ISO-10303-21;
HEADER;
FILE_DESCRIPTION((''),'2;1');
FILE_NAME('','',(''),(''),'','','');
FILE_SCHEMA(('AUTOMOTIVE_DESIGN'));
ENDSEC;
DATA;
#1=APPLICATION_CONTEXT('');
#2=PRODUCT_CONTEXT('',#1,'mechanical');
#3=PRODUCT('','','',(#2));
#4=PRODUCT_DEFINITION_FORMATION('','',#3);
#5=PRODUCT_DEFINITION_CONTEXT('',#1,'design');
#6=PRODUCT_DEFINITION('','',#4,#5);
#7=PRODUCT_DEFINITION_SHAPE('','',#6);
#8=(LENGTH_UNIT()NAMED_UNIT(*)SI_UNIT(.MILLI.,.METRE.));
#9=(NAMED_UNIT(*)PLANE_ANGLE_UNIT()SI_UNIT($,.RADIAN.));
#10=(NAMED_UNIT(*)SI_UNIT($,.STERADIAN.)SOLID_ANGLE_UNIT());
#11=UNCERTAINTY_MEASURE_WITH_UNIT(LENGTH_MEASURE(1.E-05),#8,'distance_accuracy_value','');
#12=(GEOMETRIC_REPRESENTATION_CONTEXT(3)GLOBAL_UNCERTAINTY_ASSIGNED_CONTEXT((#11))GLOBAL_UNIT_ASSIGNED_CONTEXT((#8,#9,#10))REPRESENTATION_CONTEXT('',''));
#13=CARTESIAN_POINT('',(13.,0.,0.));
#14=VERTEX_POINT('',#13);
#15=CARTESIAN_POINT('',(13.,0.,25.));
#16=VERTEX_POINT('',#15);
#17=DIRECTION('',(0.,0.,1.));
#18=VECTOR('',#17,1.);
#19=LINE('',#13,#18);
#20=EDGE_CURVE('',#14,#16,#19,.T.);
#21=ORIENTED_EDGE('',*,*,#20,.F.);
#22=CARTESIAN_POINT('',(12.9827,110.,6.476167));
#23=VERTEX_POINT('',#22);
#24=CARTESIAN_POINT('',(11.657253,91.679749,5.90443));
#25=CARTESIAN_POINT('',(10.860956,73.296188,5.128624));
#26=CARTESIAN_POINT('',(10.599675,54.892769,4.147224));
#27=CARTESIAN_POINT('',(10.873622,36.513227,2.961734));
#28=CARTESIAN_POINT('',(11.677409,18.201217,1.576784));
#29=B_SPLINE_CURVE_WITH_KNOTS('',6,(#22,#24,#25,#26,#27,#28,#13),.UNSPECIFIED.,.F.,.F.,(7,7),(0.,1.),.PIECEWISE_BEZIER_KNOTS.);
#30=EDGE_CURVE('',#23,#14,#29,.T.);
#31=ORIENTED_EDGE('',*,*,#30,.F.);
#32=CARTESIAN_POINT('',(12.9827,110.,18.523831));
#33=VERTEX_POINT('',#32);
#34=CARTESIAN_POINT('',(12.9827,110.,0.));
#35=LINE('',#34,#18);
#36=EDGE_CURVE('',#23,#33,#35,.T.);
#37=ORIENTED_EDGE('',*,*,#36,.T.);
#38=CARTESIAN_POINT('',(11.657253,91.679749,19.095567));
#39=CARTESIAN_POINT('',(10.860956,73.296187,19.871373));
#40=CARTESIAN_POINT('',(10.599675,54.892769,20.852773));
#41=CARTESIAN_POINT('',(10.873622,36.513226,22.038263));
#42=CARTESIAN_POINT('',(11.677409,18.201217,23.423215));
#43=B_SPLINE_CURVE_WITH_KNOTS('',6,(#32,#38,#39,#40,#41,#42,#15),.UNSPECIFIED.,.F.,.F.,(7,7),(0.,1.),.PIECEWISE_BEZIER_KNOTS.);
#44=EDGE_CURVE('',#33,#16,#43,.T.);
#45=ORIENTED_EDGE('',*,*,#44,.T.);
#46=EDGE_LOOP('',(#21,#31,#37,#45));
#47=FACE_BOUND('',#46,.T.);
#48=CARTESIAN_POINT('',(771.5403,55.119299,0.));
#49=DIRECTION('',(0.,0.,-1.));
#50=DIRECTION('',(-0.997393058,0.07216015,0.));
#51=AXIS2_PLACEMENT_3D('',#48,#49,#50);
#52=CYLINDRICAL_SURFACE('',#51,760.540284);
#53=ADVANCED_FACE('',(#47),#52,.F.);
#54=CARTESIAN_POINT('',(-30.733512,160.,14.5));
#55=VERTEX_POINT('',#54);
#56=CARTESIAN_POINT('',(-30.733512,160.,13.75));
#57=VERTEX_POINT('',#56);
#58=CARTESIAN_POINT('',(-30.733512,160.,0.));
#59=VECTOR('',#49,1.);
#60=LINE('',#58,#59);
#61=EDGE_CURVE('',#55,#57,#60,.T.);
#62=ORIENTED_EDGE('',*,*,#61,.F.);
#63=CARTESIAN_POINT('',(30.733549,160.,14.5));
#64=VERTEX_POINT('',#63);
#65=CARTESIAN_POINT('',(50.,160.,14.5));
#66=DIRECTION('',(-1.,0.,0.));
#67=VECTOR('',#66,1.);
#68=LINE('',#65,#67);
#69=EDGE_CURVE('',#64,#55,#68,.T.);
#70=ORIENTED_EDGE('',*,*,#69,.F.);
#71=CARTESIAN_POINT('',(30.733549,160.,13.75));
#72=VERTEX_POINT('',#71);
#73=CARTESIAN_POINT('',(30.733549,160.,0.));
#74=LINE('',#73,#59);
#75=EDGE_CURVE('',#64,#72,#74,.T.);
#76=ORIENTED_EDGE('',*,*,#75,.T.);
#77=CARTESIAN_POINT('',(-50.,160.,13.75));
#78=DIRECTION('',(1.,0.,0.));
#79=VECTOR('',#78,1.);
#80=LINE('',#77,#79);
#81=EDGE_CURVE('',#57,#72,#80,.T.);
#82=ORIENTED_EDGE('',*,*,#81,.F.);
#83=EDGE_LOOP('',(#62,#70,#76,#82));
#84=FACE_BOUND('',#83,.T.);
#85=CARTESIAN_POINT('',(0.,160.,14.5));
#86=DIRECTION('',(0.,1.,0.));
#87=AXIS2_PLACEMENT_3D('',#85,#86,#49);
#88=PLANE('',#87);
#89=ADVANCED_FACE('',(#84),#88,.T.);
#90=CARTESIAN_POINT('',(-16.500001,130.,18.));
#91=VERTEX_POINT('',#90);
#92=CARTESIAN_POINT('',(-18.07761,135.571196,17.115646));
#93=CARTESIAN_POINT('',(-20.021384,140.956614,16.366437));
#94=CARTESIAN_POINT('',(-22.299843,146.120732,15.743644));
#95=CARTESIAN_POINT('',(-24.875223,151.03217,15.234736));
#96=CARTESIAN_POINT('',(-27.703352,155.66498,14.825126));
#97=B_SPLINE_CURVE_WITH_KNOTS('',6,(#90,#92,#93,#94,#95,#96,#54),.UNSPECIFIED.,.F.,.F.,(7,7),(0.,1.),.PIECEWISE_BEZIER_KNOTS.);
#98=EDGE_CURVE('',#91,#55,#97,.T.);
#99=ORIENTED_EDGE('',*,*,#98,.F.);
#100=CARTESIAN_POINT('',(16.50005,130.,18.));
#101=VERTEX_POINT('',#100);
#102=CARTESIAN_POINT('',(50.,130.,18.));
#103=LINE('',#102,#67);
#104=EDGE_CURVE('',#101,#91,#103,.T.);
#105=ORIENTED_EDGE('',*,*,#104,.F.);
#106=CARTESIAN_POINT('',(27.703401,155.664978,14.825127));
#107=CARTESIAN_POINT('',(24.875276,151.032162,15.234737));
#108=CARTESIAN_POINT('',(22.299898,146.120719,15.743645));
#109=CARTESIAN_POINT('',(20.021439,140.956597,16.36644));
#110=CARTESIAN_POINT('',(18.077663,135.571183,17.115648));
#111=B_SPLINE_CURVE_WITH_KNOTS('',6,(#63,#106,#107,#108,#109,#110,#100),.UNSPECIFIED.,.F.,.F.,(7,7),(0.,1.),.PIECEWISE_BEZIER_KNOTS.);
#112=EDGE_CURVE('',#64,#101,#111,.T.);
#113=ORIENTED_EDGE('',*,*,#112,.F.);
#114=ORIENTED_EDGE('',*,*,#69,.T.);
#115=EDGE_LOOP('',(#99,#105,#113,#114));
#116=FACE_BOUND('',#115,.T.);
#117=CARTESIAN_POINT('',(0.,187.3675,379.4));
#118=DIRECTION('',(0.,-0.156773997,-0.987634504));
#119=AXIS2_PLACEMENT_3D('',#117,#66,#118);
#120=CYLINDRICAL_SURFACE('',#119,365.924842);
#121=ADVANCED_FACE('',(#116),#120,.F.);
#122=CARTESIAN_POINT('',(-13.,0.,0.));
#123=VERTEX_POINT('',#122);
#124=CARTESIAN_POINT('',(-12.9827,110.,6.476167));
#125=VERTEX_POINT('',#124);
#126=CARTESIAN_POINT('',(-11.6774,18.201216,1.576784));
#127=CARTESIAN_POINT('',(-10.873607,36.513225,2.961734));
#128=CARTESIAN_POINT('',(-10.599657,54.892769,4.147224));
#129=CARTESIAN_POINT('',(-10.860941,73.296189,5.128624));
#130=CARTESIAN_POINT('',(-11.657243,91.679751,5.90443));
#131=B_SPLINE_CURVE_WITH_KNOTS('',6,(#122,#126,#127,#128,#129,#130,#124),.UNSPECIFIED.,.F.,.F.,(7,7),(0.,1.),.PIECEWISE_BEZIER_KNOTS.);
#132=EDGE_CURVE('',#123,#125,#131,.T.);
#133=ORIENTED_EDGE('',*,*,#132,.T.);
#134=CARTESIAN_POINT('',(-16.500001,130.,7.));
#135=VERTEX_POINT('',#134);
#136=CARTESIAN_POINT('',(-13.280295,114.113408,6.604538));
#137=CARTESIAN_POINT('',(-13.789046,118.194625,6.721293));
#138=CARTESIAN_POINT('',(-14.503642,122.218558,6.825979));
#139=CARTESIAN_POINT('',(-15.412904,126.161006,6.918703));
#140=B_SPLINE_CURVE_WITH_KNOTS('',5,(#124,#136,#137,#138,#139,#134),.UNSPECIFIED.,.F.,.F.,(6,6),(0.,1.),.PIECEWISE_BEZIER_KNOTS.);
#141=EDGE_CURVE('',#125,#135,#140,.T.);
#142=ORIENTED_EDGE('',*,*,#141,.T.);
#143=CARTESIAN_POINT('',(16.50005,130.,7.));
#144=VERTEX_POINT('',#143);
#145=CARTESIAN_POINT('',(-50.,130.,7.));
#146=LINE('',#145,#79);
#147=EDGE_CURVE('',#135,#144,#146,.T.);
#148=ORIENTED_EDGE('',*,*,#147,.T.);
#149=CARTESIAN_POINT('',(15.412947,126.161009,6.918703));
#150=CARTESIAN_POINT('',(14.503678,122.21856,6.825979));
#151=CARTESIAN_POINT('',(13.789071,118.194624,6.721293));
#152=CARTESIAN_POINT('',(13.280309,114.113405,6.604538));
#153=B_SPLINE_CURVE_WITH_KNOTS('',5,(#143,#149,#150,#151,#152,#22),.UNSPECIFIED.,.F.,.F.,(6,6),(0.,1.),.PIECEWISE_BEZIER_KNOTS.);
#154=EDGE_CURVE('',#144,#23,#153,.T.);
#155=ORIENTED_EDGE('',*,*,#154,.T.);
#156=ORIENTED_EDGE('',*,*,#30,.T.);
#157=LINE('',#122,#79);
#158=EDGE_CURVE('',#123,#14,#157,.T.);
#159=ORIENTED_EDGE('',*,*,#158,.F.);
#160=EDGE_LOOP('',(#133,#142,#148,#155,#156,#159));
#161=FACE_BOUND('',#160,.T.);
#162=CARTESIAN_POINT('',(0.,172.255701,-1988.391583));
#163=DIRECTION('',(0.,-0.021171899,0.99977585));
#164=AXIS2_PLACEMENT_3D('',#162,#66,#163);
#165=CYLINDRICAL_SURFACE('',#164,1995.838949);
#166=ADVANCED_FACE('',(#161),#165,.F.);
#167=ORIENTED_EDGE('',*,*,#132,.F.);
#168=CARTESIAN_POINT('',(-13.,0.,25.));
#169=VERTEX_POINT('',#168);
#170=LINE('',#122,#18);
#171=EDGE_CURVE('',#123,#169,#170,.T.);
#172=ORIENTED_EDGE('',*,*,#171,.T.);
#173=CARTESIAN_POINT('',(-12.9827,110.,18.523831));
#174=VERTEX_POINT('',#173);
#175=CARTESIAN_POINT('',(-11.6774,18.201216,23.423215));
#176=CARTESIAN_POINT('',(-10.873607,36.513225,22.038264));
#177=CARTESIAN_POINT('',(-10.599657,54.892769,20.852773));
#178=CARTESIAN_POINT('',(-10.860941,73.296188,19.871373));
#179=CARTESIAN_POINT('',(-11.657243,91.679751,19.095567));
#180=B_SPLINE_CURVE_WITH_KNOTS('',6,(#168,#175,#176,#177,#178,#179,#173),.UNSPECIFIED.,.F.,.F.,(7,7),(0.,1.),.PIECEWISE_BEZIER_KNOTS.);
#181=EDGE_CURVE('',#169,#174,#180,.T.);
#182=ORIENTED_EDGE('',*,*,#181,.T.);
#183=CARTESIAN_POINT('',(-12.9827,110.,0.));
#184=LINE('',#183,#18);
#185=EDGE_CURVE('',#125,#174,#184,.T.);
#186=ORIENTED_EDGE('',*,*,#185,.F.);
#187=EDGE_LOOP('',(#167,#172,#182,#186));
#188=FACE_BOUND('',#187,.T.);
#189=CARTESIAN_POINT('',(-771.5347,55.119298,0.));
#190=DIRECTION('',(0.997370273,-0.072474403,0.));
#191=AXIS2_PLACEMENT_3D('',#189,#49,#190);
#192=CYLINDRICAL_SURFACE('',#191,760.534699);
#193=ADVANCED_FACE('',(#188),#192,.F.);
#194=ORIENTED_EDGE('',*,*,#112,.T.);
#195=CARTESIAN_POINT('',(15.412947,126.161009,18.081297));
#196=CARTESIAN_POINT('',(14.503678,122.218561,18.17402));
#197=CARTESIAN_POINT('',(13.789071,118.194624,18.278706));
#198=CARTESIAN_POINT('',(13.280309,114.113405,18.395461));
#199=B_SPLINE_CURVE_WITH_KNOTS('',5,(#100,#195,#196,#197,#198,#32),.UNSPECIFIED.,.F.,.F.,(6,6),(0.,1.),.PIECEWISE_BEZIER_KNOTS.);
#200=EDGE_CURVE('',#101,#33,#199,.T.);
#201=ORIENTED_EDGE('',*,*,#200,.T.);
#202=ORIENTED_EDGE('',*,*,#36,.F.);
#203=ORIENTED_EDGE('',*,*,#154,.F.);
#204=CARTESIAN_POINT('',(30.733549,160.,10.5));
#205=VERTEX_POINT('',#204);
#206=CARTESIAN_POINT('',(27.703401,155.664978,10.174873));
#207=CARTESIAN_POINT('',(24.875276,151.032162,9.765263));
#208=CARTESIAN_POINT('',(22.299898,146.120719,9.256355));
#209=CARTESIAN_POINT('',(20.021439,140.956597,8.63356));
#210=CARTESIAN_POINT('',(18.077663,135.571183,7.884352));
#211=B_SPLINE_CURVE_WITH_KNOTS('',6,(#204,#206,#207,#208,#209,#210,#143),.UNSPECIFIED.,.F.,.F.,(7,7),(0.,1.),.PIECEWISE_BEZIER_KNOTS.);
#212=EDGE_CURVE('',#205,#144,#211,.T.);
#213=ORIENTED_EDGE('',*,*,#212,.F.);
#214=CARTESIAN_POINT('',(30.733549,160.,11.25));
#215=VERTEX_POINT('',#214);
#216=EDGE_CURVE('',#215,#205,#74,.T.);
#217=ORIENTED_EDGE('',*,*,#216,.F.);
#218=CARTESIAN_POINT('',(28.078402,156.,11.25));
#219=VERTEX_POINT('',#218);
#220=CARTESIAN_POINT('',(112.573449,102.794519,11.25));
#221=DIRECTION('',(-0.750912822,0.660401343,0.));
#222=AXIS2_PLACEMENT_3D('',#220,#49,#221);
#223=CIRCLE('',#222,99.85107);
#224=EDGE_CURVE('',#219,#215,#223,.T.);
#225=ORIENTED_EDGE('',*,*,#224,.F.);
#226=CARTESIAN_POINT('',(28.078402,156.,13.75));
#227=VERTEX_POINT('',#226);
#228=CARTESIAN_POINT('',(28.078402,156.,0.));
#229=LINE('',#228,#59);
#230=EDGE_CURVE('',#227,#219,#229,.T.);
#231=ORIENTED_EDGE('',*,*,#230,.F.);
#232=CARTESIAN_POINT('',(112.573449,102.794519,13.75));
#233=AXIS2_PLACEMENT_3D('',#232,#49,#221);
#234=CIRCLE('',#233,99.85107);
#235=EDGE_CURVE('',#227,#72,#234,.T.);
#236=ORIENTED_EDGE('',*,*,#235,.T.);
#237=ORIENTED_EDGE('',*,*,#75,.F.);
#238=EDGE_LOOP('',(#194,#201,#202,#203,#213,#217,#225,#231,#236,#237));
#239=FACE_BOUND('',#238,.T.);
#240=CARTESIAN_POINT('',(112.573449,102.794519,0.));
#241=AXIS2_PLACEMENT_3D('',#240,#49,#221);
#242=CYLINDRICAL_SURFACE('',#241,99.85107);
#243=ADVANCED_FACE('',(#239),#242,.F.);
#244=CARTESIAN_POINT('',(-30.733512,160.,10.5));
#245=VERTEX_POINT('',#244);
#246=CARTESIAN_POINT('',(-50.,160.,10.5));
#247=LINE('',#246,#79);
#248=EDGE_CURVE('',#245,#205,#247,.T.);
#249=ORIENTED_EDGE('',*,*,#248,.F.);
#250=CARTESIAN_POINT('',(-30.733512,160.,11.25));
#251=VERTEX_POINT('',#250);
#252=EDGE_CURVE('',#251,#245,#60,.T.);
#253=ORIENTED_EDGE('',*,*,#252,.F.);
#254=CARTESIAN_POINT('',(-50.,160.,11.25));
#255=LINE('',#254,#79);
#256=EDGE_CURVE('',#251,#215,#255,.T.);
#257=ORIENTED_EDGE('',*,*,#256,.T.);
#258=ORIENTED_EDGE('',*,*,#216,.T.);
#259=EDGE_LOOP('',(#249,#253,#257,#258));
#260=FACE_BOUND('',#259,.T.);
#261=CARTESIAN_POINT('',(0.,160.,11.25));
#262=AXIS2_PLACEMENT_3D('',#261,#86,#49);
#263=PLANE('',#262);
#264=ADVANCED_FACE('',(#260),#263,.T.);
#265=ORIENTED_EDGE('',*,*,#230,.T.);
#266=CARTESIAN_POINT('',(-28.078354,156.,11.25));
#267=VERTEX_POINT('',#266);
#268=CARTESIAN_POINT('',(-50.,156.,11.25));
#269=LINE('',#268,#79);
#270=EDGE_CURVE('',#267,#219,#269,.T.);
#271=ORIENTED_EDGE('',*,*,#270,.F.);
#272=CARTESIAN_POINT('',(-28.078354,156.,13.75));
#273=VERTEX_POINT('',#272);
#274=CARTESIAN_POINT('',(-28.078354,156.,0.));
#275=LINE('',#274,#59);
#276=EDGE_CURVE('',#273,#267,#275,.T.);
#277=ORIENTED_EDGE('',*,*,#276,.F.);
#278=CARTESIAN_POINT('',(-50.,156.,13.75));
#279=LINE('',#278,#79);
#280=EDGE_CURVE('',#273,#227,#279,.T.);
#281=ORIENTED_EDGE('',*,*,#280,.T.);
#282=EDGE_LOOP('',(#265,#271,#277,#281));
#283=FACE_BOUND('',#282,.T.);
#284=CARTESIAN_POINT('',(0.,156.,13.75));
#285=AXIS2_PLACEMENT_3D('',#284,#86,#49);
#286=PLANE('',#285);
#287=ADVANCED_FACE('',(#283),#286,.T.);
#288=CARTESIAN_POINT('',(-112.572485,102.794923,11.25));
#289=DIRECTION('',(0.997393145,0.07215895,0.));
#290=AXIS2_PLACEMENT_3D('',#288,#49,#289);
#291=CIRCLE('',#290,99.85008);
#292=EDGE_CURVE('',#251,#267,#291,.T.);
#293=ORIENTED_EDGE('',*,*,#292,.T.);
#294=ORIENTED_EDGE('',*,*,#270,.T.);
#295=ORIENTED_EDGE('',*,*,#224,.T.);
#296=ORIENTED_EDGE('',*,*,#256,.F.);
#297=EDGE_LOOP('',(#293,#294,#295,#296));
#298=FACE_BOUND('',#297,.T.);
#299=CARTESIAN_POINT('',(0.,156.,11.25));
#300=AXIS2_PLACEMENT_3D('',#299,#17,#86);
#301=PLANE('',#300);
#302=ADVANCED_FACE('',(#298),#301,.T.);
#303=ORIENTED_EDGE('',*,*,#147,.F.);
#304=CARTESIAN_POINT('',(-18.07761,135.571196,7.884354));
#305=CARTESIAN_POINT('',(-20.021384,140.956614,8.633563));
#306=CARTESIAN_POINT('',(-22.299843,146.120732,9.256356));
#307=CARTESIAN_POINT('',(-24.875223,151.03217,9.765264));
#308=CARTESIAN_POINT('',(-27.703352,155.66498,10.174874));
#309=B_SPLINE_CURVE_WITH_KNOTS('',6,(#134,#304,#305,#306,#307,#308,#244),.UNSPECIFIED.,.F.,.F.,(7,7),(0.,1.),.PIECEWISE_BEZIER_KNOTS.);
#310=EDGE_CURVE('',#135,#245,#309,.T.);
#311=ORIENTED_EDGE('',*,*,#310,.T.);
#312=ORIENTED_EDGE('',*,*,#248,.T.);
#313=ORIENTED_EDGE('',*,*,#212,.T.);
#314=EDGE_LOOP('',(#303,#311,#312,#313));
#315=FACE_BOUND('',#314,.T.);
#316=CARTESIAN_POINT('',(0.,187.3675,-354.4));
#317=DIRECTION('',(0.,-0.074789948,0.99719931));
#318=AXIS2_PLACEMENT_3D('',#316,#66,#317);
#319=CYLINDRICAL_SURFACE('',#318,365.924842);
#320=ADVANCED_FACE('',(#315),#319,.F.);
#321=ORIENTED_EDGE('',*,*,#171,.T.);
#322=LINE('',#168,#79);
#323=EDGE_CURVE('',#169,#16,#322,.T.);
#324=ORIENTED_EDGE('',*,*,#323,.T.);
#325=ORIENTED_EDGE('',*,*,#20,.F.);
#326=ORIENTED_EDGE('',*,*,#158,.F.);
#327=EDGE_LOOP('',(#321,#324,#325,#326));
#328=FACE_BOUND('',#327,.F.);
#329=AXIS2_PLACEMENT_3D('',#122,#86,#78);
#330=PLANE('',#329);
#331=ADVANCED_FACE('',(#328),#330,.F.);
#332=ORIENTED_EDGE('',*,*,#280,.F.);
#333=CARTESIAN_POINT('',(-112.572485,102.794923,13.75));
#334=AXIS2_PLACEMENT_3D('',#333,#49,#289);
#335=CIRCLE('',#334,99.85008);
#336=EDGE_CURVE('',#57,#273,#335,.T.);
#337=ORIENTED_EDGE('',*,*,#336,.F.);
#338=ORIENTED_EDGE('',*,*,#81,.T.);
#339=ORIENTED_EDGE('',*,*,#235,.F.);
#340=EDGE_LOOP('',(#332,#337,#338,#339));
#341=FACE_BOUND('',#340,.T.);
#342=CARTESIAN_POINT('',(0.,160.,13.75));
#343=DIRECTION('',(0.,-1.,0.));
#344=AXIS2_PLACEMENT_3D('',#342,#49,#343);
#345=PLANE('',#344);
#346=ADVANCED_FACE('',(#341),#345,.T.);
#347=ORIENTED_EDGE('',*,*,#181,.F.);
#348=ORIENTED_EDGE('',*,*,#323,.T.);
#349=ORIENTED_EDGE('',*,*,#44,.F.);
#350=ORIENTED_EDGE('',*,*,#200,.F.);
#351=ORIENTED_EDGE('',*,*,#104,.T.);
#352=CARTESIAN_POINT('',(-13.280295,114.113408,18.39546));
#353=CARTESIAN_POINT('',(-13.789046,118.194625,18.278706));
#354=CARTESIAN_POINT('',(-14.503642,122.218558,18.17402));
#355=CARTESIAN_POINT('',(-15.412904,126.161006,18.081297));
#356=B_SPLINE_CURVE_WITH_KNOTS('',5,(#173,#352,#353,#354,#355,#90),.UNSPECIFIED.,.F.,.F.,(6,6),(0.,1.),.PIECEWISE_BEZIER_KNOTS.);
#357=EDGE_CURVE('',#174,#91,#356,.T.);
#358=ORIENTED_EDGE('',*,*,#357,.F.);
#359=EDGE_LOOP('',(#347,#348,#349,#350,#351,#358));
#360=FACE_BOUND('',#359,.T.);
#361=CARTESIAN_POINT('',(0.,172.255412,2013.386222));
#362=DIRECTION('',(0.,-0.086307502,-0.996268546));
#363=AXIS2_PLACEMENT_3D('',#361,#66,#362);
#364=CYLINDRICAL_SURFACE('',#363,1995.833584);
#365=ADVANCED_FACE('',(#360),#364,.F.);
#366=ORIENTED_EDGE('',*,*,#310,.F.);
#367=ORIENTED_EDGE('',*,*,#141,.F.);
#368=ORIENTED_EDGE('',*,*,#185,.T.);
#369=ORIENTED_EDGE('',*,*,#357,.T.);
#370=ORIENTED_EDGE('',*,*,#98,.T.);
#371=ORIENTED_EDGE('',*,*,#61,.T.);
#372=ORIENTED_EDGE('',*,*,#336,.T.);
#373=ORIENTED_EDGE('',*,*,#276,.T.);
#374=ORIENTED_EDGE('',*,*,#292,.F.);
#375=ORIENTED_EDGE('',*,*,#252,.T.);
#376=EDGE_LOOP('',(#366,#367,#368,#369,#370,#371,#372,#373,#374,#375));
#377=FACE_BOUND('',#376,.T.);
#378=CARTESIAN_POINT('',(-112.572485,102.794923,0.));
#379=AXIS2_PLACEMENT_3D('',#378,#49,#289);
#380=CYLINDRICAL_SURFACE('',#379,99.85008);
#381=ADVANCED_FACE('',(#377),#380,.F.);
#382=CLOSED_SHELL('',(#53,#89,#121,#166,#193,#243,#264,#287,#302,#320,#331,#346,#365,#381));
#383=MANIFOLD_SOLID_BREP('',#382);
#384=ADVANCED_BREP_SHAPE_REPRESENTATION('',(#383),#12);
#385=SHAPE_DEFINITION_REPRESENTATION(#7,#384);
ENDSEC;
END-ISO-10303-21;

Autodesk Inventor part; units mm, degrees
ref_plane "YZ Plane" through (0, 0, 0) normal (1, 0, 0) x (0, 1, 0)
ref_plane "XZ Plane" through (0, 0, 0) normal (0, 1, 0) x (-1, 0, 0)
ref_plane "XY Plane" through (0, 0, 0) normal (0, 0, 1) x (1, 0, 0)
sketch "Эскиз1" plane through (0, 0, 0) normal (0, 0, 1) x (1, 0, 0)
  line L0 (-13, 0) -> (13, 0)
  line L1 (-47.5, 180) -> (47.5, 180)
  line L2 (-16.5, 130) -> (16.5, 130)
  line L3 (-12.9827, 110) -> (12.9827, 110)
  line L4 (-11.8003, 90) -> (11.8003, 90)
  line L5 (47.5, 180) -> (37.594, 168.7363)
  line L6 (-47.5, 180) -> (-37.594, 168.7363)
  line L7 (-37.594, 168.7363) -> (37.594, 168.7363)
  arc A0 (37.594, 168.7363) -> (12.9827, 110) centre (112.573, 102.7948) ccw
  arc A1 (12.9827, 110) -> (13, 0) centre (771.5375, 55.1194) ccw
  arc A2 (-12.9827, 110) -> (-37.594, 168.7363) centre (-112.573, 102.7948) ccw
  arc A3 (-13, 0) -> (-12.9827, 110) centre (-771.5375, 55.1194) ccw
  line L8 (-11, 80.4723) -> (-11, 26.1046)
  line L9 (11, 80.4723) -> (11, 26.1046)
  line L10 (-37.594, 168.7363) -> (13.0707, 111.1279)
  line L11 (37.594, 168.7363) -> (-13.0707, 111.1279)
  point P0 (0, 0)
  point P1 (0, 0)
  point P2 (0, 180)
  point P3 (0, 130)
  point P4 (0, 90)
  point P5 (0, 110)
  point P6 (-11, 55.1194)
  dimension "d0" = 26
  dimension "d1" = 95
  dimension "d2" = 33
  dimension "d5" = 180
  dimension "d6" = 50
  dimension "d7" = 20
  dimension "d8" = 20
  dimension "d9" = 15
  dimension "d10" = 15
  dimension "d13" = 22
  dimension "d19" = 55.1194
extrude "Выдавливание1" add sketch "Эскиз1" along normal blind 25
sketch "Эскиз2" plane through (0, 0, 0) normal (1, 0, 0) x (0, 1, 0)
  line L0 (0, 0) -> (110, 0) projected
  line L1 (110, 0) -> (110, 25) projected
  line L2 (0, 25) -> (110, 25) projected
  line L3 (0, 0) -> (0, 25) projected
  line L4 (110, 0) -> (169.3956, 0) projected
  line L5 (110, 25) -> (169.3956, 25) projected
  line L6 (110, 0) -> (110, 25) projected
  line L7 (130, 18) -> (130, 7)
  line L8 (55, 21) -> (55, 4)
  arc A0 (0, 25) -> (130, 18) centre (172.2556, 2013.3889) ccw
  arc A1 (130, 7) -> (0, 0) centre (172.2556, -1988.3889) ccw
  line L9 (180, 13) -> (180, 12)
  line L10 (160, 14.5) -> (160, 10.5)
  arc A2 (130, 18) -> (160, 14.5) centre (187.3675, 379.4) ccw
  arc A3 (160, 10.5) -> (130, 7) centre (187.3675, -354.4) ccw
  line L11 (168.7363, 0) -> (180, 0) projected
  line L12 (180, 0) -> (180, 25) projected
  line L13 (168.7363, 25) -> (180, 25) projected
  line L14 (160, 13.75) -> (156, 13.75)
  line L15 (156, 13.75) -> (156, 11.25)
  line L16 (156, 11.25) -> (160, 11.25)
  point P0 (130, 12.5)
  point P1 (0, 12.5)
  point P2 (55, 12.5)
  point P3 (180, 12.5)
  point P4 (169.3956, 12.5)
  point P5 (160, 12.5)
  point P6 (180, 12.5)
  point P7 (156, 12.5)
  dimension "d16" = 11
  dimension "d20" = 55
  dimension "d21" = 17
  dimension "d22" = 1
  dimension "d23" = 4
  dimension "d28" = 50
  dimension "d30" = 20
  dimension "d33" = 4
  dimension "d34" = 2.5
extrude "Выдавливание2" cut sketch "Эскиз2" along normal mid plane 100 contours L3 A0 L8 A1 | L8 A0 L1 A1 | L1 A0 L7 A1 | L7 A2 L10 L14 L15 L16 A3 keep common part
properties part number "bachi_v2" material "Красное дерево"
